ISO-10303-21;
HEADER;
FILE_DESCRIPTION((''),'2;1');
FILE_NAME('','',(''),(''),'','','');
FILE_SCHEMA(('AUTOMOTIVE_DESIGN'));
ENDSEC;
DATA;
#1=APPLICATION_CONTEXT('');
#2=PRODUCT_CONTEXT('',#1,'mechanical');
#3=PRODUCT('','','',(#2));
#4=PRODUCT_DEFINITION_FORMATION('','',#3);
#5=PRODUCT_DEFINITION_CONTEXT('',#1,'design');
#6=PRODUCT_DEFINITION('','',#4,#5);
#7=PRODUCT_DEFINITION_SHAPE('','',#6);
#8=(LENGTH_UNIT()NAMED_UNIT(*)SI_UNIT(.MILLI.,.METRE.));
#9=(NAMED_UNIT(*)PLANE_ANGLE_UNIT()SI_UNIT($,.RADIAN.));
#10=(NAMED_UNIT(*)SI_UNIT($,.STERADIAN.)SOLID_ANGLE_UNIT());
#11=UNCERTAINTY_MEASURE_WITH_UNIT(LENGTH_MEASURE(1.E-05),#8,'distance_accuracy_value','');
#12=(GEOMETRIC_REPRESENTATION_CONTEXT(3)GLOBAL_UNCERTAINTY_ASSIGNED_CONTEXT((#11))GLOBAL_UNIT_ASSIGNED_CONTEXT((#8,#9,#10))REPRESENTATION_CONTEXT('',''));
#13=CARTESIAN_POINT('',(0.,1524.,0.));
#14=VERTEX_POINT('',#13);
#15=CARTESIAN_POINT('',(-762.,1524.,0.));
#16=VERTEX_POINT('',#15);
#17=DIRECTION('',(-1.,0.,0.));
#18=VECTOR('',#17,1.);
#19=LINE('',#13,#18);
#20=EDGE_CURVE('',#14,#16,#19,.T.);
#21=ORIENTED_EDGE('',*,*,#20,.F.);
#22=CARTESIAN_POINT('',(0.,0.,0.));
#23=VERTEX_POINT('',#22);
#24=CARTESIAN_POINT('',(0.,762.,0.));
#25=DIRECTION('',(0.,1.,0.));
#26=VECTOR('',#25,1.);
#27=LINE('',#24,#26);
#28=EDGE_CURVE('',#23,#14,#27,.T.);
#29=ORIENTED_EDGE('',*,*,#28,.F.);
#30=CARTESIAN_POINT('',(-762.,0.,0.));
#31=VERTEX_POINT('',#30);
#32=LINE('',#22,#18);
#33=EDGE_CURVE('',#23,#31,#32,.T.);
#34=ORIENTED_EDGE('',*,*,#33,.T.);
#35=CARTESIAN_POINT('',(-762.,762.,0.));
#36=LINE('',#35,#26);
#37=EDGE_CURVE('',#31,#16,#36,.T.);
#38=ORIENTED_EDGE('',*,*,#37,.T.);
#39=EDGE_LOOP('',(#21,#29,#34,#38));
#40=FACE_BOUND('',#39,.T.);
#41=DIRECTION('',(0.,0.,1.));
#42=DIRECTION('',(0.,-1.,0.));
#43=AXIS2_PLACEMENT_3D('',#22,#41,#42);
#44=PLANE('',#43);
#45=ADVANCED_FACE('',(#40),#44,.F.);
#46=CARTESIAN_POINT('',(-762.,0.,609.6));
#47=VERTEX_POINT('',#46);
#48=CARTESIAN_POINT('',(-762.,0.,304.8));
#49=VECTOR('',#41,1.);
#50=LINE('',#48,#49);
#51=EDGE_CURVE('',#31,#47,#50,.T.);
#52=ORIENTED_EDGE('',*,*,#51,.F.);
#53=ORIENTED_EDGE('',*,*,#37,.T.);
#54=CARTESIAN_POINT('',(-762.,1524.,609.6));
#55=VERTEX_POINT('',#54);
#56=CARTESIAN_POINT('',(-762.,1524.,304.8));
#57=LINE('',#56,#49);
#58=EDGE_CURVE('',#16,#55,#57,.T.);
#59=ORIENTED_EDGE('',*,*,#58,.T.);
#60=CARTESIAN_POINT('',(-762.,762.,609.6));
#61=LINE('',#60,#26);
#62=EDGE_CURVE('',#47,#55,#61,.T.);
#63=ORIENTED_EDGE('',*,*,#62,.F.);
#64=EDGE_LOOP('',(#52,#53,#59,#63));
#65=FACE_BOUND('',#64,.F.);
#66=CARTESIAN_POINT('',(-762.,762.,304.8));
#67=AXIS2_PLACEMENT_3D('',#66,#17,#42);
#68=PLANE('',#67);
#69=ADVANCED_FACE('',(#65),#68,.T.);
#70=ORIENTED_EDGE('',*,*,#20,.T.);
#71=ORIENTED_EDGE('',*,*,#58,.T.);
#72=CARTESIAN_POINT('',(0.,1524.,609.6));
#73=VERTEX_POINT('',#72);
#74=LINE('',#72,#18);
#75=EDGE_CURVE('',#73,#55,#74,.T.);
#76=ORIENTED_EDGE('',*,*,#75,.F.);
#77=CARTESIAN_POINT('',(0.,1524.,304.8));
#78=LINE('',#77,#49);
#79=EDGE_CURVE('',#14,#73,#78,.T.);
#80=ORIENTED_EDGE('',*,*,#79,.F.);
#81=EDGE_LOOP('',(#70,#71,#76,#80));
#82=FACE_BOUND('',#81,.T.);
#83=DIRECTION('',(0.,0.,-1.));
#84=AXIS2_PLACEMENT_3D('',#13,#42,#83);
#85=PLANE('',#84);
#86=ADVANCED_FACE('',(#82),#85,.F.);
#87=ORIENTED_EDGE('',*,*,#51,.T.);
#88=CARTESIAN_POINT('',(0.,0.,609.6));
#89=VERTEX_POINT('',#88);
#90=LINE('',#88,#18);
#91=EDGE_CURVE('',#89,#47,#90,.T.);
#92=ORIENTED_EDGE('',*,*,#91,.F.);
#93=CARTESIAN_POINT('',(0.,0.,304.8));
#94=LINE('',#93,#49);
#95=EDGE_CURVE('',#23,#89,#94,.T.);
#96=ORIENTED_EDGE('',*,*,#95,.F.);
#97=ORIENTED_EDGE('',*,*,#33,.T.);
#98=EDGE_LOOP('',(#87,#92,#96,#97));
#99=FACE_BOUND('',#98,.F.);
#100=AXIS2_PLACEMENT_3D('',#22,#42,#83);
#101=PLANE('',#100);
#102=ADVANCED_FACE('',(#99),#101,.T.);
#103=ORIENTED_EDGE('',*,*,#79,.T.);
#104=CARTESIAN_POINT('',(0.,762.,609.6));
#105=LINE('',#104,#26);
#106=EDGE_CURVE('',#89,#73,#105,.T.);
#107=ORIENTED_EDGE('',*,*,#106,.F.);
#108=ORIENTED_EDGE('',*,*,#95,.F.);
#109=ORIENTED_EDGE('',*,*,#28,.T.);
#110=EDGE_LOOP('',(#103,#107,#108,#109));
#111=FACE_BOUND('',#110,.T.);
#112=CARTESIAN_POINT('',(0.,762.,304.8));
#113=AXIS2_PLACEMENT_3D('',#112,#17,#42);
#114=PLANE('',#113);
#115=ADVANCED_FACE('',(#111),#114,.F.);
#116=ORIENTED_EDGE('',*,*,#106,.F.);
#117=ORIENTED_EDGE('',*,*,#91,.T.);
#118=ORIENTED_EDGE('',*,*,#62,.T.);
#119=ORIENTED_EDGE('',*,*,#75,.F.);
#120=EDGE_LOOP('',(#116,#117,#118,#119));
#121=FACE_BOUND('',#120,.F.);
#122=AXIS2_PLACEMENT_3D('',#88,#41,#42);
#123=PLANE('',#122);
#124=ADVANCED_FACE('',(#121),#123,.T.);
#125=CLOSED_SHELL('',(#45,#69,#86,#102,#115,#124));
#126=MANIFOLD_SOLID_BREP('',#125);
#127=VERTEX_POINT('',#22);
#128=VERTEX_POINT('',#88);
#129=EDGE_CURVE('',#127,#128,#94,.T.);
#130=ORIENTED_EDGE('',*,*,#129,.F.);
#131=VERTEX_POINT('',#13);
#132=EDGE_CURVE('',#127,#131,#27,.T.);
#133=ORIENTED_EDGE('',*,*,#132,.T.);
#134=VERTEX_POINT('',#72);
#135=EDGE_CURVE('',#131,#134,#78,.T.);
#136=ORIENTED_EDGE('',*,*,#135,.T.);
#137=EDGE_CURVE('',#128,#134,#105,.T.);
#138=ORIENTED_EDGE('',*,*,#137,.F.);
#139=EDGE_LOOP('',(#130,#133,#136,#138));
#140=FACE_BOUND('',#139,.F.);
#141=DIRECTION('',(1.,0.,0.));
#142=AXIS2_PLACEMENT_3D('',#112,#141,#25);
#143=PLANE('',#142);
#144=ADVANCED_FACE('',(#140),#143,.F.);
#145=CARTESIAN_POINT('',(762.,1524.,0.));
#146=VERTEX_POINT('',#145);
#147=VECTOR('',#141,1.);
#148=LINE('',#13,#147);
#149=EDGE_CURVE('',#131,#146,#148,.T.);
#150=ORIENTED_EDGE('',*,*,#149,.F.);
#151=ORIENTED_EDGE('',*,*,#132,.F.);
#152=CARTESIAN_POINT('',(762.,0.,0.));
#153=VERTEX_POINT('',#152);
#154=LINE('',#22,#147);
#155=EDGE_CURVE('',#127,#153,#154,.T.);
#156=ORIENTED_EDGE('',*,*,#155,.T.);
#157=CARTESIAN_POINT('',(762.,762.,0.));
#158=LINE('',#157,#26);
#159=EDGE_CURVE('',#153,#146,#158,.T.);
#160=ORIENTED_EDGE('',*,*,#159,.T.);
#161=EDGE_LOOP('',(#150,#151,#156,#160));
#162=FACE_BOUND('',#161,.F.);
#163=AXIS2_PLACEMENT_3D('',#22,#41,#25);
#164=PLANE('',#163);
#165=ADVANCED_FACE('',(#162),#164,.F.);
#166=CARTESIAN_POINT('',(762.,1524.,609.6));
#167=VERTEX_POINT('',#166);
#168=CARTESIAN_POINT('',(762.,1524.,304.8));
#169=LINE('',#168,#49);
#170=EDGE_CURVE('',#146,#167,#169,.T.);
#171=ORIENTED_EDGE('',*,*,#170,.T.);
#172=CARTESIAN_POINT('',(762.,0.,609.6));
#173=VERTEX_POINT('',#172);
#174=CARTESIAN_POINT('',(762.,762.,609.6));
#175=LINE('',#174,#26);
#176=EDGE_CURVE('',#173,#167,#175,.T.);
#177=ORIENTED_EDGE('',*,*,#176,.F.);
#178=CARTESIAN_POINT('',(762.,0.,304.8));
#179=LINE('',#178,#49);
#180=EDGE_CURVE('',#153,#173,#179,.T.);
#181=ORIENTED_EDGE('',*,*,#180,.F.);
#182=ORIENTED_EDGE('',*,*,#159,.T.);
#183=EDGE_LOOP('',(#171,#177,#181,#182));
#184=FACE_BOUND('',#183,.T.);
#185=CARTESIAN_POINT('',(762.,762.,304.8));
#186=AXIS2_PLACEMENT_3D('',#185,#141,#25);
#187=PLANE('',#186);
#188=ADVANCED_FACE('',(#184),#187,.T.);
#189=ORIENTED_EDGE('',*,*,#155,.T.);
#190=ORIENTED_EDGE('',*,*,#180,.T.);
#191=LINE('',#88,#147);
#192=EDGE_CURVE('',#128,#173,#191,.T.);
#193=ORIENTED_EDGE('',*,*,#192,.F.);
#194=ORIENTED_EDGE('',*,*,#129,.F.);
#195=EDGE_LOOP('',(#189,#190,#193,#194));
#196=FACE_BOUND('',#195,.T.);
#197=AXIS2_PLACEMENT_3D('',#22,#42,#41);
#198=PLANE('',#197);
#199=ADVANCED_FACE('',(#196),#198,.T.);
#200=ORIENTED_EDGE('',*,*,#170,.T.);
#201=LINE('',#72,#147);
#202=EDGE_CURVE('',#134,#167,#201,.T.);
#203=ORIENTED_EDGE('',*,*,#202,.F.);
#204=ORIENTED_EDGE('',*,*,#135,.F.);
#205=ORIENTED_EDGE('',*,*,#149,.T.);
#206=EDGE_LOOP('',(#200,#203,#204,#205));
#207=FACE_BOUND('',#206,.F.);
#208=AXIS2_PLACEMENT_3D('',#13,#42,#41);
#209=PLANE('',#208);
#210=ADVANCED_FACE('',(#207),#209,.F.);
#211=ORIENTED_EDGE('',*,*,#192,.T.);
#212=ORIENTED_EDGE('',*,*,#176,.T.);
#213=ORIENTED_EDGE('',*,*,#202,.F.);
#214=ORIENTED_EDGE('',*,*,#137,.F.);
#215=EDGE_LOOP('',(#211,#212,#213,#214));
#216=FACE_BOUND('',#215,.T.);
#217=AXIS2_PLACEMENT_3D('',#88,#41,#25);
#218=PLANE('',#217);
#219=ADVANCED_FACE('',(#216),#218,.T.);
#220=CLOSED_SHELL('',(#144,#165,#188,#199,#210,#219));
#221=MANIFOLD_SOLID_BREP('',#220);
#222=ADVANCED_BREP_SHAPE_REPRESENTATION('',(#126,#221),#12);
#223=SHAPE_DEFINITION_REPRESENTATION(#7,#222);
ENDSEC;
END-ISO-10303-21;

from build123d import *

# Parameters (mm, degrees)
F0_W     = 1524
F0_H     = 609.6
F1_DEPTH = 762


with BuildPart() as f1:
    # F0 (on Right) → F1 (new body)
    with BuildSketch(Plane.YZ):
        with Locations((762, 304.8)):
            Rectangle(F0_W, F0_H)
    extrude(amount=F1_DEPTH)


with BuildPart() as f2_1:
    # F2: instance of F1
    add(f1.part.mirror(Plane.YZ))


solid = Compound([f1.part, f2_1.part])
